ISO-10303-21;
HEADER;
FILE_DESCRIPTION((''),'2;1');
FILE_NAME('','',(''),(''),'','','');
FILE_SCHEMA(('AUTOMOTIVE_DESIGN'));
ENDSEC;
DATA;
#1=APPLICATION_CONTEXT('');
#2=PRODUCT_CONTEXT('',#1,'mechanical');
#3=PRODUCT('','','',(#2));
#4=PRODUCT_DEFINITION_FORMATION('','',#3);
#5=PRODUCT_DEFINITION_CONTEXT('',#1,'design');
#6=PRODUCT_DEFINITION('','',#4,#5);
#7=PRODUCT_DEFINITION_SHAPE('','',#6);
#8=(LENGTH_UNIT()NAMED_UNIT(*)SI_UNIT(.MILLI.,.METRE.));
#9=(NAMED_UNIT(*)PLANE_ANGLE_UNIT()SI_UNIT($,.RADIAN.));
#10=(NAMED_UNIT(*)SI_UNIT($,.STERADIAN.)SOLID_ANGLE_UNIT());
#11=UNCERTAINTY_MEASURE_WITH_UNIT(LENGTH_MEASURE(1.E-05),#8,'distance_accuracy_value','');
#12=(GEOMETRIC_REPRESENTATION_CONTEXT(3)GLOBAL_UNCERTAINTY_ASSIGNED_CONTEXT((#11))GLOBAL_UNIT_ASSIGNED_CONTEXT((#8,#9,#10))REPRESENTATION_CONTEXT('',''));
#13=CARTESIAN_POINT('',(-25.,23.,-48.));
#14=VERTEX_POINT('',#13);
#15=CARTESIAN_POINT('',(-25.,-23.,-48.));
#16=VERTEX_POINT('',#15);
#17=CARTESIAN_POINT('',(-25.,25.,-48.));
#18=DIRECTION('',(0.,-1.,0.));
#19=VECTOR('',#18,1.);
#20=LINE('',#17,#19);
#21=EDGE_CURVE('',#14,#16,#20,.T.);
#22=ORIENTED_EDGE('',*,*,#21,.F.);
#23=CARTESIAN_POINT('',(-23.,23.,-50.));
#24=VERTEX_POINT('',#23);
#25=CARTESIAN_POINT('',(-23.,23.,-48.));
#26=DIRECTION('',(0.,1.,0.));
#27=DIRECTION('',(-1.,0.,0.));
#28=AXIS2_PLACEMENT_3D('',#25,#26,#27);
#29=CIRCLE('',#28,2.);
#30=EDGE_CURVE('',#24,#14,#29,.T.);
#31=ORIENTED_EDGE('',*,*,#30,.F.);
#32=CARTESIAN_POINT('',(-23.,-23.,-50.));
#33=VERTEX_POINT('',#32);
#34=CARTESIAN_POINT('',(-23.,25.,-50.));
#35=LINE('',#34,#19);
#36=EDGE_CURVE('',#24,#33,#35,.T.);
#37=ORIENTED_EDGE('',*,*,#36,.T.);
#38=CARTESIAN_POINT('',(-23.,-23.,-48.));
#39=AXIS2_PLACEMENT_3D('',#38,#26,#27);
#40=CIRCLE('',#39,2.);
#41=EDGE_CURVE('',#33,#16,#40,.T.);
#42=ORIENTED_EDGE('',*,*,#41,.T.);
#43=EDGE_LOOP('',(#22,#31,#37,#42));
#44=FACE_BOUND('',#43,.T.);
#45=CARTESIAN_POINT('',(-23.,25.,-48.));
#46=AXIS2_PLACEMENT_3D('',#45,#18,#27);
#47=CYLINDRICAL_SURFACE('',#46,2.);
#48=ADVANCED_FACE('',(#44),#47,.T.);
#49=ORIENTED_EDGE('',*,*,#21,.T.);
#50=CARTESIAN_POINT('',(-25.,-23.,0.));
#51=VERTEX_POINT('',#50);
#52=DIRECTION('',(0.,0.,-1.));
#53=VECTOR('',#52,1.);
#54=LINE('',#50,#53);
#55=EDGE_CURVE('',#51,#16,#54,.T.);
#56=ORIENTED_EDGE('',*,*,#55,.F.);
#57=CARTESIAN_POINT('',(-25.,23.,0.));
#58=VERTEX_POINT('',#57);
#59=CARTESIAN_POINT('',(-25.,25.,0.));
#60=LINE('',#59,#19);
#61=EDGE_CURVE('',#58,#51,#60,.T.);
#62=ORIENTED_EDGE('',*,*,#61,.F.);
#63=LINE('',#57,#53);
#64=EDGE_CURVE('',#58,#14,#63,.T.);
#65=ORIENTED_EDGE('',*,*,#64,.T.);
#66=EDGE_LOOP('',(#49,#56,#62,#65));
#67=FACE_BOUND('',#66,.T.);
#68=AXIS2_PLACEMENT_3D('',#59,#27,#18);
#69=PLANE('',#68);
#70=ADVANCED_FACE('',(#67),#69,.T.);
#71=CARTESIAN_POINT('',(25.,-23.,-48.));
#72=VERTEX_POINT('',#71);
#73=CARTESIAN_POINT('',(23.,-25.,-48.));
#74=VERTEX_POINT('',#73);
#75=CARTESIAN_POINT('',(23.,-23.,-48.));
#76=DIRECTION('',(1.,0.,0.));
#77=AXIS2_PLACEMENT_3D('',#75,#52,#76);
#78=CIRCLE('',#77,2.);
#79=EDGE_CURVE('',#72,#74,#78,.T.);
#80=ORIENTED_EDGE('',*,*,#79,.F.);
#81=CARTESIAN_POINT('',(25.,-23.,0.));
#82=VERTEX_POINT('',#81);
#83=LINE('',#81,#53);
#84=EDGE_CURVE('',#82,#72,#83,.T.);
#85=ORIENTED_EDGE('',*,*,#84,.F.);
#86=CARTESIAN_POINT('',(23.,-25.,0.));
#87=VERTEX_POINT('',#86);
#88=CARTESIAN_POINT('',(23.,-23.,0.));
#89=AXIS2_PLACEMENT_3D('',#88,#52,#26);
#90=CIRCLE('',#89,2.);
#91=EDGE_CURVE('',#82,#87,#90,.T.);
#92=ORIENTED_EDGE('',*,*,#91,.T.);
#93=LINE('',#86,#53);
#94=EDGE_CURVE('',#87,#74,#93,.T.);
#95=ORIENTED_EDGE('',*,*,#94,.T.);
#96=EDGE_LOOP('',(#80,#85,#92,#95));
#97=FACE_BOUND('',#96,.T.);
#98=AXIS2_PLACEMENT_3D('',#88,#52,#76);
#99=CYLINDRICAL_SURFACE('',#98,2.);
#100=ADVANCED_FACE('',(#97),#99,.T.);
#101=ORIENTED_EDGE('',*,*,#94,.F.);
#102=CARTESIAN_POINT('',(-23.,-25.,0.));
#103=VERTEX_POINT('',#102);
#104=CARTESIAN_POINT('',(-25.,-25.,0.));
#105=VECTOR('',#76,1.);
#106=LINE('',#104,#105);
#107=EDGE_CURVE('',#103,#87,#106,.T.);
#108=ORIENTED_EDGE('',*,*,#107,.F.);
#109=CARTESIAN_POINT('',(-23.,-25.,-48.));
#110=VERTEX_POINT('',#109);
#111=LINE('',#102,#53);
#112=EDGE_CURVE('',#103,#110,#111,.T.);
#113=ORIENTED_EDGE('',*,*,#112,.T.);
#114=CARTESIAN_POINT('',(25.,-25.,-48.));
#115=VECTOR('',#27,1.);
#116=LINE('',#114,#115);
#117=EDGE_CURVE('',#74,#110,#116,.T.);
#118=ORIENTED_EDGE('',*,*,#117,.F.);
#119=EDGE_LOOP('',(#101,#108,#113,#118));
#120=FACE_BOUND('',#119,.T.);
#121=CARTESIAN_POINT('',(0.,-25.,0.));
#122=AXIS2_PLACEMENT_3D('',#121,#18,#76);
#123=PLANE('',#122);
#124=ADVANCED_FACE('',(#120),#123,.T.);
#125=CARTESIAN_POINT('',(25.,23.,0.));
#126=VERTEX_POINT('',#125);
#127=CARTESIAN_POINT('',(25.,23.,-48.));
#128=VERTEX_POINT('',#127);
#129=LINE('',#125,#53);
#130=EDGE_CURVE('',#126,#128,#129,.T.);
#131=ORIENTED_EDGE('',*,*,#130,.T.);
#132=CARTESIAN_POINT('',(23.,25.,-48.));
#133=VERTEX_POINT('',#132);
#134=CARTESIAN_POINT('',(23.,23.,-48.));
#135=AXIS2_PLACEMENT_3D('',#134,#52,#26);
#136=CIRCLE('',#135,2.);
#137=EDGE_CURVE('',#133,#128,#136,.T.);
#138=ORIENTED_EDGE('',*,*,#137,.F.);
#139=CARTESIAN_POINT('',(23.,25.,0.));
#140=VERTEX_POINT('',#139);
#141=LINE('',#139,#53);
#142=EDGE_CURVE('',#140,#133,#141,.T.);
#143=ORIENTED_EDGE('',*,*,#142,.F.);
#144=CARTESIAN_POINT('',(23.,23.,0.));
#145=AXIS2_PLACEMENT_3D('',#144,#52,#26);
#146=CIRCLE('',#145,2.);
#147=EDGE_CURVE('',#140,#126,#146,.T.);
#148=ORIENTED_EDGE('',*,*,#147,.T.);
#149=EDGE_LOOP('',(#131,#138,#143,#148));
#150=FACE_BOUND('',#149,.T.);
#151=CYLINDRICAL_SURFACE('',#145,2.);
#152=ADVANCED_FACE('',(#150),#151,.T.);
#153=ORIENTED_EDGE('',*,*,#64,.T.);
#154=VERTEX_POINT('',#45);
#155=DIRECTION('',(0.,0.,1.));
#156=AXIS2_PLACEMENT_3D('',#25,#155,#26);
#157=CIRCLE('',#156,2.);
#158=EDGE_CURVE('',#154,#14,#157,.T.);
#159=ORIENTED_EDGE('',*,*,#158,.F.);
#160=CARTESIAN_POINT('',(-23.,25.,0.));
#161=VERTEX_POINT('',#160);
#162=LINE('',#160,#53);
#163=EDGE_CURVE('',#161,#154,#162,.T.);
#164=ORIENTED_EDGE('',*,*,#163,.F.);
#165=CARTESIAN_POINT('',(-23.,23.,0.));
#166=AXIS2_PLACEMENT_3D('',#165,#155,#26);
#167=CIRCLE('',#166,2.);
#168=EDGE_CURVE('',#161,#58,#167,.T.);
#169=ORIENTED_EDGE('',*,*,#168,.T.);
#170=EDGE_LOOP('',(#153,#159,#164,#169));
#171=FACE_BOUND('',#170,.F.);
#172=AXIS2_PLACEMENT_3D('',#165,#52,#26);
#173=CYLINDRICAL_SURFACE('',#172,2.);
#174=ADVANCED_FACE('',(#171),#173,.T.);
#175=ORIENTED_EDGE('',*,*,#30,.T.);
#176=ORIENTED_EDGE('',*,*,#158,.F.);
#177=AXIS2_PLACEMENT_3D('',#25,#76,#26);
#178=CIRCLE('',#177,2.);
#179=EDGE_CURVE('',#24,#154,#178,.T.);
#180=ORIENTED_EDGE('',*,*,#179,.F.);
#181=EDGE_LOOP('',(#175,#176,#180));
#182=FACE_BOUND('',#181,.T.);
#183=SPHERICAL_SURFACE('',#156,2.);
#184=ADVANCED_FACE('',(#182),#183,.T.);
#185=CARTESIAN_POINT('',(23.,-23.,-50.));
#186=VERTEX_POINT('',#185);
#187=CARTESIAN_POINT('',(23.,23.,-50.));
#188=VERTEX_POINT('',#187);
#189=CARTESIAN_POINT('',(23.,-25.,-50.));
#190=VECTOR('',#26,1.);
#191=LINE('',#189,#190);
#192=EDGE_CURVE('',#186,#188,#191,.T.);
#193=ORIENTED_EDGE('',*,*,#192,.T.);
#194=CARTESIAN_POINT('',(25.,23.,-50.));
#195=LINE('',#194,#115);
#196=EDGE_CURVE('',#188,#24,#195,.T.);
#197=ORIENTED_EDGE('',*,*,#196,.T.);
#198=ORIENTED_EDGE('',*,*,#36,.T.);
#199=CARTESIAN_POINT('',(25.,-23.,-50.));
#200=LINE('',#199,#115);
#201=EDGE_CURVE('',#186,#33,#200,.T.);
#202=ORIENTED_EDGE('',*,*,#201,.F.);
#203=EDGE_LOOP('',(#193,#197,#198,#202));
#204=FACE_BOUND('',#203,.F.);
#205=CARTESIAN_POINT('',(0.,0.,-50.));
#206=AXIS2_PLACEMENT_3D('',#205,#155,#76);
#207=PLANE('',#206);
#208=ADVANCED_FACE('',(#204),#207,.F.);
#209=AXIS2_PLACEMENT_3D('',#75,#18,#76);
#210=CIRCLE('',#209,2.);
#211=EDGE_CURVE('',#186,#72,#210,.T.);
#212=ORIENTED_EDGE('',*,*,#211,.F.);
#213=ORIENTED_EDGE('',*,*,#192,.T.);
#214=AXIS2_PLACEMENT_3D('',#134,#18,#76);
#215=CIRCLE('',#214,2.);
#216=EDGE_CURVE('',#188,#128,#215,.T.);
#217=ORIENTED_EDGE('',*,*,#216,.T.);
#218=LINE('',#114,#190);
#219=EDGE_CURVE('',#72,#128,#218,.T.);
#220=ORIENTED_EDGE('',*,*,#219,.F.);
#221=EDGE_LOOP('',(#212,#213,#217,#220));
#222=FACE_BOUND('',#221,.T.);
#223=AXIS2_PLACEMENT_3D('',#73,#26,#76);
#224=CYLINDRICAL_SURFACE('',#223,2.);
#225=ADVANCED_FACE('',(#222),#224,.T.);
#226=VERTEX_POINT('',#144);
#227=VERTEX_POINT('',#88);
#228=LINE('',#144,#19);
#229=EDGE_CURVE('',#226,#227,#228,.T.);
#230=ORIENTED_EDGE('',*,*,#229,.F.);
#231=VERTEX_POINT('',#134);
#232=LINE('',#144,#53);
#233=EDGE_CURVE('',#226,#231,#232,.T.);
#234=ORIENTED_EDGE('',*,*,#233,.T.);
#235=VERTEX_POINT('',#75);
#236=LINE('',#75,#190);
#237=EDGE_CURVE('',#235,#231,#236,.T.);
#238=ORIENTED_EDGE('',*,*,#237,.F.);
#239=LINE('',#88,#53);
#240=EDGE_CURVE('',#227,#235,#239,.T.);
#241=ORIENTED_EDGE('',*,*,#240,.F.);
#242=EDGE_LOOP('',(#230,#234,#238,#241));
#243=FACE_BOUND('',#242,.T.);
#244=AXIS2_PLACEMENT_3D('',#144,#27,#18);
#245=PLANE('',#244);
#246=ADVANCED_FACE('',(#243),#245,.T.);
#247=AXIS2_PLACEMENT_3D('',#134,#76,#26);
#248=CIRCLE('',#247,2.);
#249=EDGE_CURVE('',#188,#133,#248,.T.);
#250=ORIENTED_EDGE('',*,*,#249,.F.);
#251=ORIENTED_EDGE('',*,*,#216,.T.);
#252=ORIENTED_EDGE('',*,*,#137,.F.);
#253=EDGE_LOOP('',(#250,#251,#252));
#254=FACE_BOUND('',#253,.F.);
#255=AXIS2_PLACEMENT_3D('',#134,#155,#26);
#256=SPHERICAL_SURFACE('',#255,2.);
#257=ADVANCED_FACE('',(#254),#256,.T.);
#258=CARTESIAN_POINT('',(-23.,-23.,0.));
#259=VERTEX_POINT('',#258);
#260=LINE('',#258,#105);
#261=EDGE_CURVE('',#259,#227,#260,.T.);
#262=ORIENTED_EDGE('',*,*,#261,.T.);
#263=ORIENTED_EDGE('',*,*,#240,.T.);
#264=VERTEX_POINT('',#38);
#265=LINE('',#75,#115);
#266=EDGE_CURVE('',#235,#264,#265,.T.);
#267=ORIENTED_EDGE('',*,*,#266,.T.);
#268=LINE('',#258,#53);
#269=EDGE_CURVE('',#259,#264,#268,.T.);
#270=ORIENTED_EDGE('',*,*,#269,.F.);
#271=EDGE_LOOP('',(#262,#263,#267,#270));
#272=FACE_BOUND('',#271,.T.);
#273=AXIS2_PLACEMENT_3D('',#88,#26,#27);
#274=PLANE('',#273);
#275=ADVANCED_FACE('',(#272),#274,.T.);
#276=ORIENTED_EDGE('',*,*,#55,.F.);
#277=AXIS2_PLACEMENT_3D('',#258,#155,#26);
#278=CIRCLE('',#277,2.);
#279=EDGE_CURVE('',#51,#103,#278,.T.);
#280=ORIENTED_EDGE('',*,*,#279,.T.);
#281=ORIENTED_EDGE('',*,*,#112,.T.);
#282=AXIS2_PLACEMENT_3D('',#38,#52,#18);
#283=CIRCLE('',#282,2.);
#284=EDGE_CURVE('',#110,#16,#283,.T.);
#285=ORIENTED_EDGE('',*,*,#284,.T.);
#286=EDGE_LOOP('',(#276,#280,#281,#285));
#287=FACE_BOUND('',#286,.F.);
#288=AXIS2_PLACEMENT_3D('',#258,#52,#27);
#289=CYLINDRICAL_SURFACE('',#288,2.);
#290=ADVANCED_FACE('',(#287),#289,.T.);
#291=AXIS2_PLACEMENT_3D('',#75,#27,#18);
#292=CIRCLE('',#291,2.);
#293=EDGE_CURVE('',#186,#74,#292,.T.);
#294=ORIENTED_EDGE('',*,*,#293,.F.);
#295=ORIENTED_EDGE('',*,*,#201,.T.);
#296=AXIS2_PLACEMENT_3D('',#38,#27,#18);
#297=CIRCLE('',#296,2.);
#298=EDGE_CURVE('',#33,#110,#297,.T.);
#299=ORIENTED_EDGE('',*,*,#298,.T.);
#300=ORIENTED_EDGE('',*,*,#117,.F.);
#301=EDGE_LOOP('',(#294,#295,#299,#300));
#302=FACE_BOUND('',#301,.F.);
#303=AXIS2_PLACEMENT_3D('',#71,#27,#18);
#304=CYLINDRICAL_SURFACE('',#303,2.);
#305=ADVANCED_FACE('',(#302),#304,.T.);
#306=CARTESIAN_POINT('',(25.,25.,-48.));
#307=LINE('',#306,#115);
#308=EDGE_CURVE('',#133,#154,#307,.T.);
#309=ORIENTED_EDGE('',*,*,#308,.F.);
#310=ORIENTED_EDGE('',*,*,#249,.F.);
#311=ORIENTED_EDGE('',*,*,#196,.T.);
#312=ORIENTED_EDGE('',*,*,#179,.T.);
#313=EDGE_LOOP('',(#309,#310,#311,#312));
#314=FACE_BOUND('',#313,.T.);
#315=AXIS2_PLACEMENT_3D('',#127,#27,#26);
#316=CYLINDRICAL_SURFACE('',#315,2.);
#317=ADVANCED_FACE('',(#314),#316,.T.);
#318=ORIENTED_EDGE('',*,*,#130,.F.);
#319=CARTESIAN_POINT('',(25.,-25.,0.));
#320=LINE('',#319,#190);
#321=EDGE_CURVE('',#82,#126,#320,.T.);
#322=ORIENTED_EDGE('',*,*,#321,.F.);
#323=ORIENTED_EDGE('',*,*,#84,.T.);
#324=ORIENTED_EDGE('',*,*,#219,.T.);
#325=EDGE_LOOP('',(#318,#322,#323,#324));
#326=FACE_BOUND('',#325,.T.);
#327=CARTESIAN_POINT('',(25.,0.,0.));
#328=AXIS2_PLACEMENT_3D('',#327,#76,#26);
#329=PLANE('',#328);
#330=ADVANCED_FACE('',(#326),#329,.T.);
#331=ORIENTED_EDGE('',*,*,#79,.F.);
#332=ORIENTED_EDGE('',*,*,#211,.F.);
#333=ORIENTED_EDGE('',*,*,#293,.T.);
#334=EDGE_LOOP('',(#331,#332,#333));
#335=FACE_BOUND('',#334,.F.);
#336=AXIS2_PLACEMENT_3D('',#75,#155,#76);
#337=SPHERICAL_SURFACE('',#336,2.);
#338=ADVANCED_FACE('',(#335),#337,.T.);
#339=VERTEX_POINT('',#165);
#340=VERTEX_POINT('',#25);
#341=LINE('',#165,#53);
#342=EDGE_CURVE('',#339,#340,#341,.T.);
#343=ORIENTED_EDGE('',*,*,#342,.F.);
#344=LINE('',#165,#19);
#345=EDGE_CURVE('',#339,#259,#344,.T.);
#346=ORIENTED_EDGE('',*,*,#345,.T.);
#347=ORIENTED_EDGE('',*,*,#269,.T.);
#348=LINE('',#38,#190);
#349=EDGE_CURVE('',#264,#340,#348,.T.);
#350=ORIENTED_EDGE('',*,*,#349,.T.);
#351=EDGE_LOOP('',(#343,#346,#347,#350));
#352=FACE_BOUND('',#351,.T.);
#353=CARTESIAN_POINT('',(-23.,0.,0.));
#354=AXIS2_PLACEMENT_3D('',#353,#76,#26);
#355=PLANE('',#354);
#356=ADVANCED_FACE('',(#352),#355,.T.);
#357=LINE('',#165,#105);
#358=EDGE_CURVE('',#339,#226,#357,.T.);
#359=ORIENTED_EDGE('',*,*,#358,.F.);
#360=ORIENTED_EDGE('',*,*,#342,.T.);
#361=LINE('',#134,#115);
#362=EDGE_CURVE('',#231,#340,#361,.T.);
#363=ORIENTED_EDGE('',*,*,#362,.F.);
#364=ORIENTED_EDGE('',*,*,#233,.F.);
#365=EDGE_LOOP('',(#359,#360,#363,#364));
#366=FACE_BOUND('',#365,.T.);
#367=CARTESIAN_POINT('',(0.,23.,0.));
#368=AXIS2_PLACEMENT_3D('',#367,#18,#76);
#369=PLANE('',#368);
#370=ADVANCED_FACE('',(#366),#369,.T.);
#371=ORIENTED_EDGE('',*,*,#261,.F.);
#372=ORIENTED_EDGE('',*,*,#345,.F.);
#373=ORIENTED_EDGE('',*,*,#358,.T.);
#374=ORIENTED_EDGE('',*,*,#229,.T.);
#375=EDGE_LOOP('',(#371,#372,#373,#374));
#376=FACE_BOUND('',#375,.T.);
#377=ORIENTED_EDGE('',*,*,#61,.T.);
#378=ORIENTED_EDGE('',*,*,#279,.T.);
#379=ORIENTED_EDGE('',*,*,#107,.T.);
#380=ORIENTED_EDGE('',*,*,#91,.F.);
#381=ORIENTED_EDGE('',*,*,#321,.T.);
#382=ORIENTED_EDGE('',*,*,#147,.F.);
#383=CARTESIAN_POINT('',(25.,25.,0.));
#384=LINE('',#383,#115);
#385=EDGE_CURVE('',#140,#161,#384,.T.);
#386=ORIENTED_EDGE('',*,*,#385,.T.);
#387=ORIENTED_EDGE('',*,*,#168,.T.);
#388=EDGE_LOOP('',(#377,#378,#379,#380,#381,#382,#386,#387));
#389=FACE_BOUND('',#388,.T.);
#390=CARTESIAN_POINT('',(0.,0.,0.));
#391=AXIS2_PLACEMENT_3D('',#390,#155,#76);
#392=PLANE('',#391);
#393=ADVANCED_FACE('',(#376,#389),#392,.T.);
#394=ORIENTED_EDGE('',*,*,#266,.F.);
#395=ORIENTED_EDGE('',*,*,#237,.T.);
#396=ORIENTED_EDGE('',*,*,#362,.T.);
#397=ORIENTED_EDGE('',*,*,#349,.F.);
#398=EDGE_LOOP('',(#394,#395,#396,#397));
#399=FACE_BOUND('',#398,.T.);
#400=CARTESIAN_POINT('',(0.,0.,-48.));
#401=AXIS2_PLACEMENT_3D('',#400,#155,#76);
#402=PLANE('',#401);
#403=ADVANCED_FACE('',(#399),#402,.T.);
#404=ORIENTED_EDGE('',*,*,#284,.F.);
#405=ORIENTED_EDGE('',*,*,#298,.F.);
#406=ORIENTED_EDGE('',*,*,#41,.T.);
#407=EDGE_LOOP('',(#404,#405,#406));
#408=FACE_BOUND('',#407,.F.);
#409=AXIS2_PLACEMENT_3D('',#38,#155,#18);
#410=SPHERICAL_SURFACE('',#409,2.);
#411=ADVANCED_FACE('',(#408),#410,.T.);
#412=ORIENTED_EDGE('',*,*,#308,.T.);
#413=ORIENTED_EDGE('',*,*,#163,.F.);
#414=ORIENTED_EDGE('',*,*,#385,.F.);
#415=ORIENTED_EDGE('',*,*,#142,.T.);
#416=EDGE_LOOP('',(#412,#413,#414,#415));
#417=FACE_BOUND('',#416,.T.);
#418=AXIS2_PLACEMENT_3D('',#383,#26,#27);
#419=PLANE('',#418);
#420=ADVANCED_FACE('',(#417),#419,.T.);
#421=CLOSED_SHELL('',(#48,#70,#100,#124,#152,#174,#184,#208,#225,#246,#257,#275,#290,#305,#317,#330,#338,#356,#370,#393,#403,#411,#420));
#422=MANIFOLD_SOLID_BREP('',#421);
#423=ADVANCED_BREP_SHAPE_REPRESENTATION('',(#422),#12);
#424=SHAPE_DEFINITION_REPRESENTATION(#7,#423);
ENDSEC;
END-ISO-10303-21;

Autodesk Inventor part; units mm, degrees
ref_plane "YZ Plane" through (0, 0, 0) normal (1, 0, 0) x (0, 1, 0)
ref_plane "XZ Plane" through (0, 0, 0) normal (0, 1, 0) x (-1, 0, 0)
ref_plane "XY Plane" through (0, 0, 0) normal (0, 0, 1) x (1, 0, 0)
sketch "Sketch1" plane through (0, 0, 0) normal (0, 0, 1) x (1, 0, 0)
  line L0 (0, 0) -> (900, 0)
  line L1 (0, 0) -> (-900, 0)
  line L2 (0, 0) -> (0, -900)
  line L3 (0, 0) -> (0, 900)
  line L4 (-25, -25) -> (25, -25)
  line L5 (25, -25) -> (25, 25)
  line L6 (25, 25) -> (-25, 25)
  line L7 (-25, 25) -> (-25, -25)
  line L8 (-23, 23) -> (23, 23)
  line L9 (23, 23) -> (23, -23)
  line L10 (23, -23) -> (-23, -23)
  line L11 (-23, -23) -> (-23, 23)
  dimension "d0" = 900
  dimension "d1" = 900
  dimension "d2" = 900
  dimension "d3" = 900
  dimension "d4" = 25
  dimension "d5" = 25
  dimension "d6" = 25
  dimension "d7" = 25
  dimension "d9" = 2
extrude "Extrusion1" add sketch "Sketch1" against normal blind 50
extrude "Extrusion2" cut sketch "Sketch1" against normal blind 48 contours L3 L8 L9 L0 | L2 L10 L11 L1 | L0 L9 L10 L2 | L1 L11 L8 L3
fillet "Fillet1" radius 2 8 edges at (-25, -25, -25) (-25, 25, -25) (25, 25, -25) (0, 25, -50) (25, -25, -25) (25, 0, -50) (0, -25, -50) (-25, 0, -50)
properties part number "small_capsule" material "ABS Plastic"
